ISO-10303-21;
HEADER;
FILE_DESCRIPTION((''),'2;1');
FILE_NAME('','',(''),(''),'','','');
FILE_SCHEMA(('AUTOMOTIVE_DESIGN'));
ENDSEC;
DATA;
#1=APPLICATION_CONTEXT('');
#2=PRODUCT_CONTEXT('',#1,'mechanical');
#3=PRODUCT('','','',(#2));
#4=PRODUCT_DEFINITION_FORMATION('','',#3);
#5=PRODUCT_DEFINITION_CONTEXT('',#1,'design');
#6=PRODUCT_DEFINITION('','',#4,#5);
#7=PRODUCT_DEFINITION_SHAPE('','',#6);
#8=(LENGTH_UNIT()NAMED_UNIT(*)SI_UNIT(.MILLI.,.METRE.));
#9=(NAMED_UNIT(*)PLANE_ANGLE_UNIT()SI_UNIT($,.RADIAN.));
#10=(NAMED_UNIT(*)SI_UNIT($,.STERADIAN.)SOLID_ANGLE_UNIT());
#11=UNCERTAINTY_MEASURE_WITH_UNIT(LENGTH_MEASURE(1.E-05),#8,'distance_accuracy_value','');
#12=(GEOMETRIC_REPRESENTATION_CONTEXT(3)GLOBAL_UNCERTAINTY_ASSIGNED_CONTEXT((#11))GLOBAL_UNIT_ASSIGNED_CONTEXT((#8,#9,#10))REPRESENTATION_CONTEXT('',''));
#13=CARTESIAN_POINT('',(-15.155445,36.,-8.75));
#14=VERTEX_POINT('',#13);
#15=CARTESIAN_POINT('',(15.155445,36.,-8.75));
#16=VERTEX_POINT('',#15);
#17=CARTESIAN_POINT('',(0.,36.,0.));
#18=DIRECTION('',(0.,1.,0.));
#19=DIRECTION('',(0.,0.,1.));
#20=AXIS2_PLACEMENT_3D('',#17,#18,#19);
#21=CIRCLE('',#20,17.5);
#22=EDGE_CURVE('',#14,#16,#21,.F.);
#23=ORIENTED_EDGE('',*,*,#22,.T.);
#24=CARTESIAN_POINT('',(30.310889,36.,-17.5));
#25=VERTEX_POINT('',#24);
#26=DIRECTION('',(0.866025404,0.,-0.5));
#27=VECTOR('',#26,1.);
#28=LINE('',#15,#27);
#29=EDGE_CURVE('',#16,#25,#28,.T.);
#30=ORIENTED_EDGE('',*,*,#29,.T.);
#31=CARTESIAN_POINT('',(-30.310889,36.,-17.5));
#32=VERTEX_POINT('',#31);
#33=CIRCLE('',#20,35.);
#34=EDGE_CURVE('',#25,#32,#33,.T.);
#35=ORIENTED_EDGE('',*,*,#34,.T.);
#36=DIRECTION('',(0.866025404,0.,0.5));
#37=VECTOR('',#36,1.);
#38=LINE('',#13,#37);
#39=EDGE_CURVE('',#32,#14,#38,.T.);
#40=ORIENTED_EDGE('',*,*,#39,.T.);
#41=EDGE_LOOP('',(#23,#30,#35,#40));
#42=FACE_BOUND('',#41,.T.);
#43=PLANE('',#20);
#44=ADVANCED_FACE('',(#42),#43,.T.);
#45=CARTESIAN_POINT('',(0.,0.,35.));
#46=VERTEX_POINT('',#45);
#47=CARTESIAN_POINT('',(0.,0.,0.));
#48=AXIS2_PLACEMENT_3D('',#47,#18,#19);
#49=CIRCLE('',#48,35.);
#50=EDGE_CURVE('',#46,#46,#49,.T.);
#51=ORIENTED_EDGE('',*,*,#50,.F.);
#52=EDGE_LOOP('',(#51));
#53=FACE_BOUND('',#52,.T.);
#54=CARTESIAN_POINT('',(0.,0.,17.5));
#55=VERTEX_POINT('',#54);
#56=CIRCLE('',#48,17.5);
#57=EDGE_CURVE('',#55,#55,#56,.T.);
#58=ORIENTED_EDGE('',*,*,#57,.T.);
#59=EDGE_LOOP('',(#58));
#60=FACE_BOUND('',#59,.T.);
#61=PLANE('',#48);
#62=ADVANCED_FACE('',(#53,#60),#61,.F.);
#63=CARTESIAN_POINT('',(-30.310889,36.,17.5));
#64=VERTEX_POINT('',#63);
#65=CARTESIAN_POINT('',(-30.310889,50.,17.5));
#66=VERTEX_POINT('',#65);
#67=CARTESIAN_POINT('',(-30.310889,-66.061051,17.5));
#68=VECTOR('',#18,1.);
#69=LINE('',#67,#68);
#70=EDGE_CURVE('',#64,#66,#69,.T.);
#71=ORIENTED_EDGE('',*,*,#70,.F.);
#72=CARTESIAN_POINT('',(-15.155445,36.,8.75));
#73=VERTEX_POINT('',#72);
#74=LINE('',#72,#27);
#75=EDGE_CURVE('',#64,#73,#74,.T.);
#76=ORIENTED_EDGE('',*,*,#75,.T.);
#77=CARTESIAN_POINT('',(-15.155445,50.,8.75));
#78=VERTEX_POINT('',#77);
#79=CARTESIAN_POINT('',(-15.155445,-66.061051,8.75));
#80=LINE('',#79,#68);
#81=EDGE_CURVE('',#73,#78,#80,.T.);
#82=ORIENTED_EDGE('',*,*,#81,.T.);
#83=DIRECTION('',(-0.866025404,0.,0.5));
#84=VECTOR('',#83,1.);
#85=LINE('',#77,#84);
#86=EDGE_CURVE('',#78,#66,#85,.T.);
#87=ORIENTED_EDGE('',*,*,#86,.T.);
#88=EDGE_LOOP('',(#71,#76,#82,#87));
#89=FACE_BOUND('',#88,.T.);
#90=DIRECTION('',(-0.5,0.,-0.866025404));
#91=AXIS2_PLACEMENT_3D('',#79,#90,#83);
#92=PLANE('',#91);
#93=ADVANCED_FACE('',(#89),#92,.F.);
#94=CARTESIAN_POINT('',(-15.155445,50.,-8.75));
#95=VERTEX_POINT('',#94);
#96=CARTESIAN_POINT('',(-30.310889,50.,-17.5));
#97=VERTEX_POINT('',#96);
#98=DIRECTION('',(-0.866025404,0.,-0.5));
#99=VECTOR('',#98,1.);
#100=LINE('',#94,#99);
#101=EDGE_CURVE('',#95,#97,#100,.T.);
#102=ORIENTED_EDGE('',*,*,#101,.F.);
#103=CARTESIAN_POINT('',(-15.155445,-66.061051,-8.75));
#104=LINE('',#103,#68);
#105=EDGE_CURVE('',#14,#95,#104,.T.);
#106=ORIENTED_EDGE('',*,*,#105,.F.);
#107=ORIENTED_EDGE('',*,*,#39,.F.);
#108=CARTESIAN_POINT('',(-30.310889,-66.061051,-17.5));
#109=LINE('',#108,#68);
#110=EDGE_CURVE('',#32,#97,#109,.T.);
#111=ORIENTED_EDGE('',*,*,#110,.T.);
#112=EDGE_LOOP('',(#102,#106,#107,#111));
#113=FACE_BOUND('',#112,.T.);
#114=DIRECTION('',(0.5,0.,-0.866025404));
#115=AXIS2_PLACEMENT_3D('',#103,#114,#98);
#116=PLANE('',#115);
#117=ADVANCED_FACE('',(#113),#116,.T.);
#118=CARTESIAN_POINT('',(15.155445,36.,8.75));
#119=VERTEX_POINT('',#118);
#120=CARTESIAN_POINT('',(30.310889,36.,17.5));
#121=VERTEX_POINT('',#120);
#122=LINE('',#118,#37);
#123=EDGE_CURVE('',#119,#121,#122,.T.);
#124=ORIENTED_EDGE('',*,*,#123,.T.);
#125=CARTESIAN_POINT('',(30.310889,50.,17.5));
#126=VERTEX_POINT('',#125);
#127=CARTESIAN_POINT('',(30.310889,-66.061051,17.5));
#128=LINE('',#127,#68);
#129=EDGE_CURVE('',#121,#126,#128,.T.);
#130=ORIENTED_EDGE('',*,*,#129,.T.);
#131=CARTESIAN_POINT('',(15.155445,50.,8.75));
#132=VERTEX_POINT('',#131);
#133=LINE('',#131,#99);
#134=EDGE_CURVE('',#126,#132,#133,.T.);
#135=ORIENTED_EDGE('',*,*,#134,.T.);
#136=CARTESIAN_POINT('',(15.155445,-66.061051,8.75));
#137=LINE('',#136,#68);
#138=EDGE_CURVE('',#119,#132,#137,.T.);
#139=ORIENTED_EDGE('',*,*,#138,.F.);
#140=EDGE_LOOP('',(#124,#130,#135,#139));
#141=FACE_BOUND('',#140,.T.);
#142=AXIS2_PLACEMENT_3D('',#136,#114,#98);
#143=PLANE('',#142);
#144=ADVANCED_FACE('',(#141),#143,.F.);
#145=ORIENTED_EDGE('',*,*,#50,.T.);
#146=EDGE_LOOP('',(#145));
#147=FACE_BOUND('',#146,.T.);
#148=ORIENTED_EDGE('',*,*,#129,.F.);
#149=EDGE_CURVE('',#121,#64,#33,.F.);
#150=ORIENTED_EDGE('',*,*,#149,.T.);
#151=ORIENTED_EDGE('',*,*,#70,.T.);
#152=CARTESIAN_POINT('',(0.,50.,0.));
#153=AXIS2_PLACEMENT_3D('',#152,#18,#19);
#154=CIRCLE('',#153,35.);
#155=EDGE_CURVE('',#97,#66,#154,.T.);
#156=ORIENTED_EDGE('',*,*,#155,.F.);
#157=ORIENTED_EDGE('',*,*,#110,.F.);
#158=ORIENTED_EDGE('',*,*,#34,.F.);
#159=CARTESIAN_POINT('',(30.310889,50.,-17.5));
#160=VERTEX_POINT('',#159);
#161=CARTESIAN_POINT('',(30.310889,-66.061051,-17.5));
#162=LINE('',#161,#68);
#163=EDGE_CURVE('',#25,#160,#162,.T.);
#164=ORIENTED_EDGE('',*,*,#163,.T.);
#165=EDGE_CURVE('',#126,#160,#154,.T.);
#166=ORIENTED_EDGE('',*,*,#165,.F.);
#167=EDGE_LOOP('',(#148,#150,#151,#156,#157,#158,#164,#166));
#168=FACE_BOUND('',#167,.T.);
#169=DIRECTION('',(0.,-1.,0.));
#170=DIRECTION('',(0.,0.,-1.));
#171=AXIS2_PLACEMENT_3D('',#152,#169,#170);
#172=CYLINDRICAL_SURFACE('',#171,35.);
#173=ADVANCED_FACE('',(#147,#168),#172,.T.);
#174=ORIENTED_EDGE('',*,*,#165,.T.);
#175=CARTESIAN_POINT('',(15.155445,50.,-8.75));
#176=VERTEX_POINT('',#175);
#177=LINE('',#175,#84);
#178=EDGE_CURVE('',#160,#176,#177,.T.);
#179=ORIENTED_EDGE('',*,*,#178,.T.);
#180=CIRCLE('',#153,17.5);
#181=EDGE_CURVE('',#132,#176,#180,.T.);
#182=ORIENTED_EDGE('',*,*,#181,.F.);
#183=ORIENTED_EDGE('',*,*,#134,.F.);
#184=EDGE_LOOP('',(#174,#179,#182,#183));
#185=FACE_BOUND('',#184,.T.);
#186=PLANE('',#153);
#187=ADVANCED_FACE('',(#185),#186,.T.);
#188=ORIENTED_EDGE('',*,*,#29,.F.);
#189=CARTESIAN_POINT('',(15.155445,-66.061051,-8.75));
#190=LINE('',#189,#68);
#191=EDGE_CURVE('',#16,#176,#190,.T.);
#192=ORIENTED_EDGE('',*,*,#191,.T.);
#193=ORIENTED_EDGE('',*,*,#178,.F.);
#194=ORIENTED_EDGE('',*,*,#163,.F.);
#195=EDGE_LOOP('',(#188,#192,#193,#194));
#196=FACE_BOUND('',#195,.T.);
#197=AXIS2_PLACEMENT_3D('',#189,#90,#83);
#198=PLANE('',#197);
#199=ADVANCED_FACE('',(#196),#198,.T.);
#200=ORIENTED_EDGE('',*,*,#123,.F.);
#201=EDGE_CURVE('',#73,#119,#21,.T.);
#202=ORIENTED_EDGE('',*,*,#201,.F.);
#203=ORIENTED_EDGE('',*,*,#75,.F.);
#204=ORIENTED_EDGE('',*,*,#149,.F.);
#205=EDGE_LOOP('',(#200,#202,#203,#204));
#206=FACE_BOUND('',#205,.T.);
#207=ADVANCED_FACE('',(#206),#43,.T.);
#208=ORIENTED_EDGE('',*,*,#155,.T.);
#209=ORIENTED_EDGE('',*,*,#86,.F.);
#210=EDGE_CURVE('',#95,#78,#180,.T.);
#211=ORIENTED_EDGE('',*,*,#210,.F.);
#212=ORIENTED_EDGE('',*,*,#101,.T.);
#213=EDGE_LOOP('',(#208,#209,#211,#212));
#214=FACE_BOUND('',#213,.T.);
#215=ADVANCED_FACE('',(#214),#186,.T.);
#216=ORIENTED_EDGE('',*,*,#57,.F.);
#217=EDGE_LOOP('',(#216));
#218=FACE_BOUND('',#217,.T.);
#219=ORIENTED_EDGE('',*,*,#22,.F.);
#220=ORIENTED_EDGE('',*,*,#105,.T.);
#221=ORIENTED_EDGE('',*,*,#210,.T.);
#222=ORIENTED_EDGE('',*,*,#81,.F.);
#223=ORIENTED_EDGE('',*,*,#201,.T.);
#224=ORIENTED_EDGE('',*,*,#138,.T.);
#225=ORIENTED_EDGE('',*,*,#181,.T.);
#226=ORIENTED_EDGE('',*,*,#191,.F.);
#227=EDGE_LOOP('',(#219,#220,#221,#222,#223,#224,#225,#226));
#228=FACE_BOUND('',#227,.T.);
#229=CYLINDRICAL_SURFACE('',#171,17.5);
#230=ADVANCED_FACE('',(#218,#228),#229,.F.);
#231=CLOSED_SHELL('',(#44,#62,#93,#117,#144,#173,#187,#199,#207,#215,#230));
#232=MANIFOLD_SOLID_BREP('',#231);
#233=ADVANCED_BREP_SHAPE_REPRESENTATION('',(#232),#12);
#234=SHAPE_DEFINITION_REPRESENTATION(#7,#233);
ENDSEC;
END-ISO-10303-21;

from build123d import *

# Parameters (mm, degrees)
SKETCH1_R           = 35
SKETCH1_R_2         = 17.5
BOSS_EXTRUDE1_DEPTH = 50
CUT_EXTRUDE1_START  = -14
CUT_EXTRUDE1_DEPTH  = 14


with BuildPart() as part:
    # Sketch1 → Boss-Extrude1 (new body)
    with BuildSketch(Plane(origin=(0, 0, 0), x_dir=(1, 0, 0), z_dir=(0, 1, 0))):
        with Locations(Location((0, 0, 0), (0, 0, 270))):
            Circle(SKETCH1_R)
        with Locations(Location((0, 0, 0), (0, 0, 270))):
            Circle(SKETCH1_R_2, mode=Mode.SUBTRACT)
    extrude(amount=BOSS_EXTRUDE1_DEPTH)

    # Sketch2 → Cut-Extrude1 (cut)
    with BuildSketch(Plane(origin=(0, 50, 0), x_dir=(1, 0, 0), z_dir=(0, 1, 0)).offset(CUT_EXTRUDE1_START)):
        with BuildLine():
            Line((15.155444566, -8.75), (30.310889132, -17.5))
            ThreePointArc((30.310889132, -17.5), (0, -35), (-30.310889132, -17.5))
            Line((-30.310889132, -17.5), (-15.155444566, -8.75))
            ThreePointArc((-15.155444566, -8.75), (0, -17.5), (15.155444566, -8.75))
        make_face()
    cut_extrude1 = extrude(amount=CUT_EXTRUDE1_DEPTH, mode=Mode.SUBTRACT)

    # Mirror1: Cut-Extrude1 across plane
    add(cut_extrude1.mirror(Plane.XY), mode=Mode.SUBTRACT)


solid = part.part
